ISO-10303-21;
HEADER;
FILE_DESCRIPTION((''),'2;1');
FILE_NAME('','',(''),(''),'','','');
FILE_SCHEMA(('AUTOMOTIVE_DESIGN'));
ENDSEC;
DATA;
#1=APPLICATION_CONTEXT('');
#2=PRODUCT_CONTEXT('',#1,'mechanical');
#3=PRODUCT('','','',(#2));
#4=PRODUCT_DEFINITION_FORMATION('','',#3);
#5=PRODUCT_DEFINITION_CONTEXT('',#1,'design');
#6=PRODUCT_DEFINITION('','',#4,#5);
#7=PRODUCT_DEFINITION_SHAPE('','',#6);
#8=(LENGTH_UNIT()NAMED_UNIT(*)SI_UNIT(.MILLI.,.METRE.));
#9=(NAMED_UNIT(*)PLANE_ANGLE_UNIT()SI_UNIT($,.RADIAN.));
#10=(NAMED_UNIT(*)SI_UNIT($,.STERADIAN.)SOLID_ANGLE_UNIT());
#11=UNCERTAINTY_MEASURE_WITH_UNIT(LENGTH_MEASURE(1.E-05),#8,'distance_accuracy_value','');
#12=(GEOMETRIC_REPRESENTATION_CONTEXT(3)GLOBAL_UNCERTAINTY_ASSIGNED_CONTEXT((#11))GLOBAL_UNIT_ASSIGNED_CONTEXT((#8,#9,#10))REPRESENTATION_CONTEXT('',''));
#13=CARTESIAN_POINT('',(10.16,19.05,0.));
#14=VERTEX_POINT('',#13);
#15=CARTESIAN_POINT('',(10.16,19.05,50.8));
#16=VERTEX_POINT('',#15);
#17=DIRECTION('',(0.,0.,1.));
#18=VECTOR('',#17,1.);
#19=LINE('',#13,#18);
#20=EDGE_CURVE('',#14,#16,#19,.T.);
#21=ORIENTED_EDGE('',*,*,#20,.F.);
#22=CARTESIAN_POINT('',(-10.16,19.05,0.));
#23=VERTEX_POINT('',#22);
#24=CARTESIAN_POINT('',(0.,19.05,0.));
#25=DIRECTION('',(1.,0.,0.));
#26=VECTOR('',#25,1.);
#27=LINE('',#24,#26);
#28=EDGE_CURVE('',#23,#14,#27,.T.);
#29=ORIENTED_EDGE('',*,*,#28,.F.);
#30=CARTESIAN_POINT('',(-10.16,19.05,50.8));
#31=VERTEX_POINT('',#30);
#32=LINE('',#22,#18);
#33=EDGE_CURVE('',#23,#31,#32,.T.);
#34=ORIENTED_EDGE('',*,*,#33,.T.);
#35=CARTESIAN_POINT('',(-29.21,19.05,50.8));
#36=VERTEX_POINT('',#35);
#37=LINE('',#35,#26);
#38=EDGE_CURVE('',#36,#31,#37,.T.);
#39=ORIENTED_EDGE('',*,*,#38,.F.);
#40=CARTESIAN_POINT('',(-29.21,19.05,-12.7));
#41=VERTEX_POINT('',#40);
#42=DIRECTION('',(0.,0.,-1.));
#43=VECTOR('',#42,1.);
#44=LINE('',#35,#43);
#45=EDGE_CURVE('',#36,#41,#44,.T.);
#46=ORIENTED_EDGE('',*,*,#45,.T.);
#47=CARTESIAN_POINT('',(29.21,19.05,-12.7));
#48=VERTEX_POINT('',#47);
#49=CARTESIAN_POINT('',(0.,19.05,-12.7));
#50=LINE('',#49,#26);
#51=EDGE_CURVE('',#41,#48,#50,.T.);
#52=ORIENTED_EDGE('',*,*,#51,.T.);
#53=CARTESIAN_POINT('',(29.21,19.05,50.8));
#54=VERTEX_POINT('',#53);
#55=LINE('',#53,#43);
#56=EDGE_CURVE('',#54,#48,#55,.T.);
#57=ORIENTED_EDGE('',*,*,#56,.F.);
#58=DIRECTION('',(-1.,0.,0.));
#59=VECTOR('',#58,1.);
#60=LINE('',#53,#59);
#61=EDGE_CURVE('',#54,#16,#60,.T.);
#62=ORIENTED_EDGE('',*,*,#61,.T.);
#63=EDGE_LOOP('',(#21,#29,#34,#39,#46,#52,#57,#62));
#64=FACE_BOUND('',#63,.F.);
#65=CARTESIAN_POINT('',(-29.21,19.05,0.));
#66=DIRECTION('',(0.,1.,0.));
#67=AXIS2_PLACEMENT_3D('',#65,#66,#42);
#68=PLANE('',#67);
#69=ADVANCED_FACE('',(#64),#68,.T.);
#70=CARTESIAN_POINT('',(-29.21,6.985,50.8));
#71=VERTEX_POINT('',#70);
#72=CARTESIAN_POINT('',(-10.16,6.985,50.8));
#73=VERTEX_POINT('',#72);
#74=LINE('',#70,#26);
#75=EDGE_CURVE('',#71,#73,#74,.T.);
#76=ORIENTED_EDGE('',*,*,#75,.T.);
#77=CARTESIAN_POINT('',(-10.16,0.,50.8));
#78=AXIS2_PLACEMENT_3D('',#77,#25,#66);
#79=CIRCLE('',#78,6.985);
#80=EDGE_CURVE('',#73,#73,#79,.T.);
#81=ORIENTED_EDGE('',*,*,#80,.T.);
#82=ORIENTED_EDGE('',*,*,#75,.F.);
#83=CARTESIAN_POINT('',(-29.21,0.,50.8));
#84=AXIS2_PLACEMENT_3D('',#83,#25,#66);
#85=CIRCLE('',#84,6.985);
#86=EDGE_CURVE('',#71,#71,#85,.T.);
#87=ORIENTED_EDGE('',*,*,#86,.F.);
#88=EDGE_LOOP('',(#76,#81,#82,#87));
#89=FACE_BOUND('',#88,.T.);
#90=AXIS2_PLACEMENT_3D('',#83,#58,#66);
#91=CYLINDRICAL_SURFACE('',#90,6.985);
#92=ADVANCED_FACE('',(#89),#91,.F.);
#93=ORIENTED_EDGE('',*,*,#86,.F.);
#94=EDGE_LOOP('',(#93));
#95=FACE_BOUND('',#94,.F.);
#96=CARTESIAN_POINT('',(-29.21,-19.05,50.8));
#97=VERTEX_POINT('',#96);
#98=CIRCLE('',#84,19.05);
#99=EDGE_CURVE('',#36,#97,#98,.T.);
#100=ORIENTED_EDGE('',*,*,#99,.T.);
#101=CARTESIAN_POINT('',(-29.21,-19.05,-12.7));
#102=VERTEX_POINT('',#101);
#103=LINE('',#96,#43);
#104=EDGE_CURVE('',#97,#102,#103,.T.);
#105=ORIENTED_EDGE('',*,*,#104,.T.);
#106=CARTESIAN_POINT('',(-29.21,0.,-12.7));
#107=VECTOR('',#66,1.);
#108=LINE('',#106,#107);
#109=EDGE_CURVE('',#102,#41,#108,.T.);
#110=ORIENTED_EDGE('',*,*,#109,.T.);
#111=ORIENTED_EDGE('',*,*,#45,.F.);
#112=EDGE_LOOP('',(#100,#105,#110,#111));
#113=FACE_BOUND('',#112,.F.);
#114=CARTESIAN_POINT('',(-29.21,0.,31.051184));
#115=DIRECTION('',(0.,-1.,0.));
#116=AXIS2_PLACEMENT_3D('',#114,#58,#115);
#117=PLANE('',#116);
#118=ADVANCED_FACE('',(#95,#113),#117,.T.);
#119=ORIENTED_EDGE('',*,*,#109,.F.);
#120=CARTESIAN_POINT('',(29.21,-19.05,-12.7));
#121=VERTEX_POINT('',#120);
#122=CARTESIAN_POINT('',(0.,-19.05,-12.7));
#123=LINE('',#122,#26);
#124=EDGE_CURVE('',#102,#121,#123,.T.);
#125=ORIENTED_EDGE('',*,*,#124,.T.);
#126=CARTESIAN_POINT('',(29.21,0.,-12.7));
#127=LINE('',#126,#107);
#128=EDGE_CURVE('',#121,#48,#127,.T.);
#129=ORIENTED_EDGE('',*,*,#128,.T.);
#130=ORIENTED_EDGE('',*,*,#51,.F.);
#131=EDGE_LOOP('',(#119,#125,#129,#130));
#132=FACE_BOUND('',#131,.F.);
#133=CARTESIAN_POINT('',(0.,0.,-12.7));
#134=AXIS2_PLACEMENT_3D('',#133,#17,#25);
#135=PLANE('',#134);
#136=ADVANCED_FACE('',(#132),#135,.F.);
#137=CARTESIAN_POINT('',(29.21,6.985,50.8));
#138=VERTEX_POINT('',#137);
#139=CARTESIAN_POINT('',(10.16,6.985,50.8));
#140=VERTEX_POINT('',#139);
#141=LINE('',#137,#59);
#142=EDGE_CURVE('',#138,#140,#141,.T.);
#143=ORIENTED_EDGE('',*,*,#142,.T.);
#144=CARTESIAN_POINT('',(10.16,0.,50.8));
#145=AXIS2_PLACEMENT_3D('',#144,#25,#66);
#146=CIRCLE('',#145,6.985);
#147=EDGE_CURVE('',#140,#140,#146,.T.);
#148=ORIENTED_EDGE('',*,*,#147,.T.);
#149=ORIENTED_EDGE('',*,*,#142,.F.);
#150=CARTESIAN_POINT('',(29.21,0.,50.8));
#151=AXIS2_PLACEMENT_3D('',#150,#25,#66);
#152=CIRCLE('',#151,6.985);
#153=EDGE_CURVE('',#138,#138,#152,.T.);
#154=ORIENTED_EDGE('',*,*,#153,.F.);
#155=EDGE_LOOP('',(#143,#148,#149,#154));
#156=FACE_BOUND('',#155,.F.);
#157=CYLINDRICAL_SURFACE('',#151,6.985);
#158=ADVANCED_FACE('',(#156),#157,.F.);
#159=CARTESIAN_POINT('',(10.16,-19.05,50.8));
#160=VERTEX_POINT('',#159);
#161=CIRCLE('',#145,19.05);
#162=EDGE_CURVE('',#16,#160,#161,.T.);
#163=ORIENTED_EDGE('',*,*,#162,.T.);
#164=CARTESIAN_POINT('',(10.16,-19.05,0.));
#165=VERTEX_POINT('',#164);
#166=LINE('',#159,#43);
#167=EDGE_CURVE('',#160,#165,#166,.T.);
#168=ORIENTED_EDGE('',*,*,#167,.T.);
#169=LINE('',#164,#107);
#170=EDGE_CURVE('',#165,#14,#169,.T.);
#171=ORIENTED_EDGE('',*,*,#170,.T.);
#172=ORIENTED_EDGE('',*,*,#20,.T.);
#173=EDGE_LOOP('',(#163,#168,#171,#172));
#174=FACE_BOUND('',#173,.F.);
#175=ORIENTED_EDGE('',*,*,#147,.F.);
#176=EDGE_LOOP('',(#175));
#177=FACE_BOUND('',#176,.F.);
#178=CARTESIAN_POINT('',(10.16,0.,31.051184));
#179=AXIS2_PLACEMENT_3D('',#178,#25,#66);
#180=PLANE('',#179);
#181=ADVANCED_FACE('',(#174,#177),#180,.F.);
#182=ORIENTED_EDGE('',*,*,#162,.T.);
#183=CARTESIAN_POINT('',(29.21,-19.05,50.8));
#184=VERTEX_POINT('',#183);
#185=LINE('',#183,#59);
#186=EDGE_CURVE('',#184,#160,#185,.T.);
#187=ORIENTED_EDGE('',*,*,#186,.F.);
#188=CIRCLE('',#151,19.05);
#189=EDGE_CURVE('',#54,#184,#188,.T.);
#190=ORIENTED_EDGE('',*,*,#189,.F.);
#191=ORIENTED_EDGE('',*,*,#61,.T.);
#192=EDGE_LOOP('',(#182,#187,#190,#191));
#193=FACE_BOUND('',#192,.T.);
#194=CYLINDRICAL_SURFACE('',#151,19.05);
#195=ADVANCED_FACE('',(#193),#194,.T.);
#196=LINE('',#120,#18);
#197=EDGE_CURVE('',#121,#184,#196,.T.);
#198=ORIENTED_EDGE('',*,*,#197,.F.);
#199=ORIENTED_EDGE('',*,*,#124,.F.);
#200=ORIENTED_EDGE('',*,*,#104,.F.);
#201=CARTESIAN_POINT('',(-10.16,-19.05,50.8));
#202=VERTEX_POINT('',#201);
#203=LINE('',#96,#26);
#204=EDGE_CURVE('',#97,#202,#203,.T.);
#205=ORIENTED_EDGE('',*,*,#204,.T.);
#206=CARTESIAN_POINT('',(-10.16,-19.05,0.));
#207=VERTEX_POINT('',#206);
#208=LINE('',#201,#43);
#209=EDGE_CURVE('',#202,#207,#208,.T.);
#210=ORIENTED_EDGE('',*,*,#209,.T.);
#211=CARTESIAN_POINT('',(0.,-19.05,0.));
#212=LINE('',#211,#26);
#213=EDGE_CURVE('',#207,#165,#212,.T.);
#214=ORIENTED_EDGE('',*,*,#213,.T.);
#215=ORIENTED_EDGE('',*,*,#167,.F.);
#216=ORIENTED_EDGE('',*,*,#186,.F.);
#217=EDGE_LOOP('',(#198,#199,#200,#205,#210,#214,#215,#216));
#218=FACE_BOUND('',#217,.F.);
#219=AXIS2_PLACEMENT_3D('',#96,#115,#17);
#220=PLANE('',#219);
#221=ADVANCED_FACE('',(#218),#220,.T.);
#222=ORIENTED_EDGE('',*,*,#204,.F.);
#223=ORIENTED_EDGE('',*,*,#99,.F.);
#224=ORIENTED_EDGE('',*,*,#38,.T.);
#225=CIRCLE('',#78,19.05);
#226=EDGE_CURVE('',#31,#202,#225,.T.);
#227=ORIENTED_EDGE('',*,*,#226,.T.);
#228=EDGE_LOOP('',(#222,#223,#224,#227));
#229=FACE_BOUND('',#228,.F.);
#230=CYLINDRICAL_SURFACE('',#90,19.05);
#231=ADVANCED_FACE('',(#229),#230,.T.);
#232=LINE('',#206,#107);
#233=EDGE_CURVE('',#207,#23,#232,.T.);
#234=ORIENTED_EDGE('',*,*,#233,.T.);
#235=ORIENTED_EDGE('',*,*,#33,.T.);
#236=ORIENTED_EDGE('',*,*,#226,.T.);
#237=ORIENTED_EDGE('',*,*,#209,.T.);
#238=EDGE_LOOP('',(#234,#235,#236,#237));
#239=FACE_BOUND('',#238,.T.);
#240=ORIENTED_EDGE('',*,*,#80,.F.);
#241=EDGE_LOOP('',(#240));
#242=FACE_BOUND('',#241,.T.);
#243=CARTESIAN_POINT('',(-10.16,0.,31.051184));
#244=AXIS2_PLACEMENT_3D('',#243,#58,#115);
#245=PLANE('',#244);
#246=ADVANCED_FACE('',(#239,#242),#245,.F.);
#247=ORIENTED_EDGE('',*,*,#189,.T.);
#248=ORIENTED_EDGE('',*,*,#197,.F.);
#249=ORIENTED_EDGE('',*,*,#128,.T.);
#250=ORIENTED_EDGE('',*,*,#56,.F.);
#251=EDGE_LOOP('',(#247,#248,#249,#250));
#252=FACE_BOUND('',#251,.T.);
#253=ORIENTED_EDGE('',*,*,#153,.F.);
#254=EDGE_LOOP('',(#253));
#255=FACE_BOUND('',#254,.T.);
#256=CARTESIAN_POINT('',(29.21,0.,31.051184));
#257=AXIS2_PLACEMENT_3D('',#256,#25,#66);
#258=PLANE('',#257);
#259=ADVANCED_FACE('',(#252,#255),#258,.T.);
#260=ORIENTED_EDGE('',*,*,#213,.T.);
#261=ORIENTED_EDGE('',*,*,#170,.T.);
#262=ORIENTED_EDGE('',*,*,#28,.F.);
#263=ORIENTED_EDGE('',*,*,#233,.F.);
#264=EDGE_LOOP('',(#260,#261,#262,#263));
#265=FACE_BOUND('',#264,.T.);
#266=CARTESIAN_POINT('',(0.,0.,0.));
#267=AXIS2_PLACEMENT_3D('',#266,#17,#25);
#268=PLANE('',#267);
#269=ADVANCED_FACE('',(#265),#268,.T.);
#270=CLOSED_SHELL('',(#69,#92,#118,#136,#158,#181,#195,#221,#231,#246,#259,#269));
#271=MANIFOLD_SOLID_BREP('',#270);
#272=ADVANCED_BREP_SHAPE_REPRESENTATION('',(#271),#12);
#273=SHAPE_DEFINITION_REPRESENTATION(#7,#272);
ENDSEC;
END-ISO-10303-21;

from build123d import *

# Parameters (mm, degrees)
F0_W     = 58.42
F0_H     = 38.1
F1_DEPTH = 12.7
F2_R     = 6.985
F3_DEPTH = 19.05


with BuildPart() as f1:
    # F0 (on Top) → F1 (new body)
    with BuildSketch(Plane.XY):
        Rectangle(F0_W, F0_H)
    extrude(amount=-F1_DEPTH)

    # F2 (on face) → F3 (join)
    with BuildSketch(Plane.YZ.offset(29.21)):
        with BuildLine():
            Line((-19.05, 0), (19.05, 0))
            Line((19.05, 0), (19.05, 50.8))
            ThreePointArc((19.05, 50.8), (0, 69.85), (-19.05, 50.8))
            Line((-19.05, 50.8), (-19.05, 0))
        make_face()
        with Locations((0, 50.8)):
            Circle(F2_R, mode=Mode.SUBTRACT)
    extrude(amount=-F3_DEPTH)

    # F4: F1 across plane


with BuildPart() as f1_1:
    add(f1.part)
    add(f1.part.mirror(Plane.YZ))


solid = f1_1.part
